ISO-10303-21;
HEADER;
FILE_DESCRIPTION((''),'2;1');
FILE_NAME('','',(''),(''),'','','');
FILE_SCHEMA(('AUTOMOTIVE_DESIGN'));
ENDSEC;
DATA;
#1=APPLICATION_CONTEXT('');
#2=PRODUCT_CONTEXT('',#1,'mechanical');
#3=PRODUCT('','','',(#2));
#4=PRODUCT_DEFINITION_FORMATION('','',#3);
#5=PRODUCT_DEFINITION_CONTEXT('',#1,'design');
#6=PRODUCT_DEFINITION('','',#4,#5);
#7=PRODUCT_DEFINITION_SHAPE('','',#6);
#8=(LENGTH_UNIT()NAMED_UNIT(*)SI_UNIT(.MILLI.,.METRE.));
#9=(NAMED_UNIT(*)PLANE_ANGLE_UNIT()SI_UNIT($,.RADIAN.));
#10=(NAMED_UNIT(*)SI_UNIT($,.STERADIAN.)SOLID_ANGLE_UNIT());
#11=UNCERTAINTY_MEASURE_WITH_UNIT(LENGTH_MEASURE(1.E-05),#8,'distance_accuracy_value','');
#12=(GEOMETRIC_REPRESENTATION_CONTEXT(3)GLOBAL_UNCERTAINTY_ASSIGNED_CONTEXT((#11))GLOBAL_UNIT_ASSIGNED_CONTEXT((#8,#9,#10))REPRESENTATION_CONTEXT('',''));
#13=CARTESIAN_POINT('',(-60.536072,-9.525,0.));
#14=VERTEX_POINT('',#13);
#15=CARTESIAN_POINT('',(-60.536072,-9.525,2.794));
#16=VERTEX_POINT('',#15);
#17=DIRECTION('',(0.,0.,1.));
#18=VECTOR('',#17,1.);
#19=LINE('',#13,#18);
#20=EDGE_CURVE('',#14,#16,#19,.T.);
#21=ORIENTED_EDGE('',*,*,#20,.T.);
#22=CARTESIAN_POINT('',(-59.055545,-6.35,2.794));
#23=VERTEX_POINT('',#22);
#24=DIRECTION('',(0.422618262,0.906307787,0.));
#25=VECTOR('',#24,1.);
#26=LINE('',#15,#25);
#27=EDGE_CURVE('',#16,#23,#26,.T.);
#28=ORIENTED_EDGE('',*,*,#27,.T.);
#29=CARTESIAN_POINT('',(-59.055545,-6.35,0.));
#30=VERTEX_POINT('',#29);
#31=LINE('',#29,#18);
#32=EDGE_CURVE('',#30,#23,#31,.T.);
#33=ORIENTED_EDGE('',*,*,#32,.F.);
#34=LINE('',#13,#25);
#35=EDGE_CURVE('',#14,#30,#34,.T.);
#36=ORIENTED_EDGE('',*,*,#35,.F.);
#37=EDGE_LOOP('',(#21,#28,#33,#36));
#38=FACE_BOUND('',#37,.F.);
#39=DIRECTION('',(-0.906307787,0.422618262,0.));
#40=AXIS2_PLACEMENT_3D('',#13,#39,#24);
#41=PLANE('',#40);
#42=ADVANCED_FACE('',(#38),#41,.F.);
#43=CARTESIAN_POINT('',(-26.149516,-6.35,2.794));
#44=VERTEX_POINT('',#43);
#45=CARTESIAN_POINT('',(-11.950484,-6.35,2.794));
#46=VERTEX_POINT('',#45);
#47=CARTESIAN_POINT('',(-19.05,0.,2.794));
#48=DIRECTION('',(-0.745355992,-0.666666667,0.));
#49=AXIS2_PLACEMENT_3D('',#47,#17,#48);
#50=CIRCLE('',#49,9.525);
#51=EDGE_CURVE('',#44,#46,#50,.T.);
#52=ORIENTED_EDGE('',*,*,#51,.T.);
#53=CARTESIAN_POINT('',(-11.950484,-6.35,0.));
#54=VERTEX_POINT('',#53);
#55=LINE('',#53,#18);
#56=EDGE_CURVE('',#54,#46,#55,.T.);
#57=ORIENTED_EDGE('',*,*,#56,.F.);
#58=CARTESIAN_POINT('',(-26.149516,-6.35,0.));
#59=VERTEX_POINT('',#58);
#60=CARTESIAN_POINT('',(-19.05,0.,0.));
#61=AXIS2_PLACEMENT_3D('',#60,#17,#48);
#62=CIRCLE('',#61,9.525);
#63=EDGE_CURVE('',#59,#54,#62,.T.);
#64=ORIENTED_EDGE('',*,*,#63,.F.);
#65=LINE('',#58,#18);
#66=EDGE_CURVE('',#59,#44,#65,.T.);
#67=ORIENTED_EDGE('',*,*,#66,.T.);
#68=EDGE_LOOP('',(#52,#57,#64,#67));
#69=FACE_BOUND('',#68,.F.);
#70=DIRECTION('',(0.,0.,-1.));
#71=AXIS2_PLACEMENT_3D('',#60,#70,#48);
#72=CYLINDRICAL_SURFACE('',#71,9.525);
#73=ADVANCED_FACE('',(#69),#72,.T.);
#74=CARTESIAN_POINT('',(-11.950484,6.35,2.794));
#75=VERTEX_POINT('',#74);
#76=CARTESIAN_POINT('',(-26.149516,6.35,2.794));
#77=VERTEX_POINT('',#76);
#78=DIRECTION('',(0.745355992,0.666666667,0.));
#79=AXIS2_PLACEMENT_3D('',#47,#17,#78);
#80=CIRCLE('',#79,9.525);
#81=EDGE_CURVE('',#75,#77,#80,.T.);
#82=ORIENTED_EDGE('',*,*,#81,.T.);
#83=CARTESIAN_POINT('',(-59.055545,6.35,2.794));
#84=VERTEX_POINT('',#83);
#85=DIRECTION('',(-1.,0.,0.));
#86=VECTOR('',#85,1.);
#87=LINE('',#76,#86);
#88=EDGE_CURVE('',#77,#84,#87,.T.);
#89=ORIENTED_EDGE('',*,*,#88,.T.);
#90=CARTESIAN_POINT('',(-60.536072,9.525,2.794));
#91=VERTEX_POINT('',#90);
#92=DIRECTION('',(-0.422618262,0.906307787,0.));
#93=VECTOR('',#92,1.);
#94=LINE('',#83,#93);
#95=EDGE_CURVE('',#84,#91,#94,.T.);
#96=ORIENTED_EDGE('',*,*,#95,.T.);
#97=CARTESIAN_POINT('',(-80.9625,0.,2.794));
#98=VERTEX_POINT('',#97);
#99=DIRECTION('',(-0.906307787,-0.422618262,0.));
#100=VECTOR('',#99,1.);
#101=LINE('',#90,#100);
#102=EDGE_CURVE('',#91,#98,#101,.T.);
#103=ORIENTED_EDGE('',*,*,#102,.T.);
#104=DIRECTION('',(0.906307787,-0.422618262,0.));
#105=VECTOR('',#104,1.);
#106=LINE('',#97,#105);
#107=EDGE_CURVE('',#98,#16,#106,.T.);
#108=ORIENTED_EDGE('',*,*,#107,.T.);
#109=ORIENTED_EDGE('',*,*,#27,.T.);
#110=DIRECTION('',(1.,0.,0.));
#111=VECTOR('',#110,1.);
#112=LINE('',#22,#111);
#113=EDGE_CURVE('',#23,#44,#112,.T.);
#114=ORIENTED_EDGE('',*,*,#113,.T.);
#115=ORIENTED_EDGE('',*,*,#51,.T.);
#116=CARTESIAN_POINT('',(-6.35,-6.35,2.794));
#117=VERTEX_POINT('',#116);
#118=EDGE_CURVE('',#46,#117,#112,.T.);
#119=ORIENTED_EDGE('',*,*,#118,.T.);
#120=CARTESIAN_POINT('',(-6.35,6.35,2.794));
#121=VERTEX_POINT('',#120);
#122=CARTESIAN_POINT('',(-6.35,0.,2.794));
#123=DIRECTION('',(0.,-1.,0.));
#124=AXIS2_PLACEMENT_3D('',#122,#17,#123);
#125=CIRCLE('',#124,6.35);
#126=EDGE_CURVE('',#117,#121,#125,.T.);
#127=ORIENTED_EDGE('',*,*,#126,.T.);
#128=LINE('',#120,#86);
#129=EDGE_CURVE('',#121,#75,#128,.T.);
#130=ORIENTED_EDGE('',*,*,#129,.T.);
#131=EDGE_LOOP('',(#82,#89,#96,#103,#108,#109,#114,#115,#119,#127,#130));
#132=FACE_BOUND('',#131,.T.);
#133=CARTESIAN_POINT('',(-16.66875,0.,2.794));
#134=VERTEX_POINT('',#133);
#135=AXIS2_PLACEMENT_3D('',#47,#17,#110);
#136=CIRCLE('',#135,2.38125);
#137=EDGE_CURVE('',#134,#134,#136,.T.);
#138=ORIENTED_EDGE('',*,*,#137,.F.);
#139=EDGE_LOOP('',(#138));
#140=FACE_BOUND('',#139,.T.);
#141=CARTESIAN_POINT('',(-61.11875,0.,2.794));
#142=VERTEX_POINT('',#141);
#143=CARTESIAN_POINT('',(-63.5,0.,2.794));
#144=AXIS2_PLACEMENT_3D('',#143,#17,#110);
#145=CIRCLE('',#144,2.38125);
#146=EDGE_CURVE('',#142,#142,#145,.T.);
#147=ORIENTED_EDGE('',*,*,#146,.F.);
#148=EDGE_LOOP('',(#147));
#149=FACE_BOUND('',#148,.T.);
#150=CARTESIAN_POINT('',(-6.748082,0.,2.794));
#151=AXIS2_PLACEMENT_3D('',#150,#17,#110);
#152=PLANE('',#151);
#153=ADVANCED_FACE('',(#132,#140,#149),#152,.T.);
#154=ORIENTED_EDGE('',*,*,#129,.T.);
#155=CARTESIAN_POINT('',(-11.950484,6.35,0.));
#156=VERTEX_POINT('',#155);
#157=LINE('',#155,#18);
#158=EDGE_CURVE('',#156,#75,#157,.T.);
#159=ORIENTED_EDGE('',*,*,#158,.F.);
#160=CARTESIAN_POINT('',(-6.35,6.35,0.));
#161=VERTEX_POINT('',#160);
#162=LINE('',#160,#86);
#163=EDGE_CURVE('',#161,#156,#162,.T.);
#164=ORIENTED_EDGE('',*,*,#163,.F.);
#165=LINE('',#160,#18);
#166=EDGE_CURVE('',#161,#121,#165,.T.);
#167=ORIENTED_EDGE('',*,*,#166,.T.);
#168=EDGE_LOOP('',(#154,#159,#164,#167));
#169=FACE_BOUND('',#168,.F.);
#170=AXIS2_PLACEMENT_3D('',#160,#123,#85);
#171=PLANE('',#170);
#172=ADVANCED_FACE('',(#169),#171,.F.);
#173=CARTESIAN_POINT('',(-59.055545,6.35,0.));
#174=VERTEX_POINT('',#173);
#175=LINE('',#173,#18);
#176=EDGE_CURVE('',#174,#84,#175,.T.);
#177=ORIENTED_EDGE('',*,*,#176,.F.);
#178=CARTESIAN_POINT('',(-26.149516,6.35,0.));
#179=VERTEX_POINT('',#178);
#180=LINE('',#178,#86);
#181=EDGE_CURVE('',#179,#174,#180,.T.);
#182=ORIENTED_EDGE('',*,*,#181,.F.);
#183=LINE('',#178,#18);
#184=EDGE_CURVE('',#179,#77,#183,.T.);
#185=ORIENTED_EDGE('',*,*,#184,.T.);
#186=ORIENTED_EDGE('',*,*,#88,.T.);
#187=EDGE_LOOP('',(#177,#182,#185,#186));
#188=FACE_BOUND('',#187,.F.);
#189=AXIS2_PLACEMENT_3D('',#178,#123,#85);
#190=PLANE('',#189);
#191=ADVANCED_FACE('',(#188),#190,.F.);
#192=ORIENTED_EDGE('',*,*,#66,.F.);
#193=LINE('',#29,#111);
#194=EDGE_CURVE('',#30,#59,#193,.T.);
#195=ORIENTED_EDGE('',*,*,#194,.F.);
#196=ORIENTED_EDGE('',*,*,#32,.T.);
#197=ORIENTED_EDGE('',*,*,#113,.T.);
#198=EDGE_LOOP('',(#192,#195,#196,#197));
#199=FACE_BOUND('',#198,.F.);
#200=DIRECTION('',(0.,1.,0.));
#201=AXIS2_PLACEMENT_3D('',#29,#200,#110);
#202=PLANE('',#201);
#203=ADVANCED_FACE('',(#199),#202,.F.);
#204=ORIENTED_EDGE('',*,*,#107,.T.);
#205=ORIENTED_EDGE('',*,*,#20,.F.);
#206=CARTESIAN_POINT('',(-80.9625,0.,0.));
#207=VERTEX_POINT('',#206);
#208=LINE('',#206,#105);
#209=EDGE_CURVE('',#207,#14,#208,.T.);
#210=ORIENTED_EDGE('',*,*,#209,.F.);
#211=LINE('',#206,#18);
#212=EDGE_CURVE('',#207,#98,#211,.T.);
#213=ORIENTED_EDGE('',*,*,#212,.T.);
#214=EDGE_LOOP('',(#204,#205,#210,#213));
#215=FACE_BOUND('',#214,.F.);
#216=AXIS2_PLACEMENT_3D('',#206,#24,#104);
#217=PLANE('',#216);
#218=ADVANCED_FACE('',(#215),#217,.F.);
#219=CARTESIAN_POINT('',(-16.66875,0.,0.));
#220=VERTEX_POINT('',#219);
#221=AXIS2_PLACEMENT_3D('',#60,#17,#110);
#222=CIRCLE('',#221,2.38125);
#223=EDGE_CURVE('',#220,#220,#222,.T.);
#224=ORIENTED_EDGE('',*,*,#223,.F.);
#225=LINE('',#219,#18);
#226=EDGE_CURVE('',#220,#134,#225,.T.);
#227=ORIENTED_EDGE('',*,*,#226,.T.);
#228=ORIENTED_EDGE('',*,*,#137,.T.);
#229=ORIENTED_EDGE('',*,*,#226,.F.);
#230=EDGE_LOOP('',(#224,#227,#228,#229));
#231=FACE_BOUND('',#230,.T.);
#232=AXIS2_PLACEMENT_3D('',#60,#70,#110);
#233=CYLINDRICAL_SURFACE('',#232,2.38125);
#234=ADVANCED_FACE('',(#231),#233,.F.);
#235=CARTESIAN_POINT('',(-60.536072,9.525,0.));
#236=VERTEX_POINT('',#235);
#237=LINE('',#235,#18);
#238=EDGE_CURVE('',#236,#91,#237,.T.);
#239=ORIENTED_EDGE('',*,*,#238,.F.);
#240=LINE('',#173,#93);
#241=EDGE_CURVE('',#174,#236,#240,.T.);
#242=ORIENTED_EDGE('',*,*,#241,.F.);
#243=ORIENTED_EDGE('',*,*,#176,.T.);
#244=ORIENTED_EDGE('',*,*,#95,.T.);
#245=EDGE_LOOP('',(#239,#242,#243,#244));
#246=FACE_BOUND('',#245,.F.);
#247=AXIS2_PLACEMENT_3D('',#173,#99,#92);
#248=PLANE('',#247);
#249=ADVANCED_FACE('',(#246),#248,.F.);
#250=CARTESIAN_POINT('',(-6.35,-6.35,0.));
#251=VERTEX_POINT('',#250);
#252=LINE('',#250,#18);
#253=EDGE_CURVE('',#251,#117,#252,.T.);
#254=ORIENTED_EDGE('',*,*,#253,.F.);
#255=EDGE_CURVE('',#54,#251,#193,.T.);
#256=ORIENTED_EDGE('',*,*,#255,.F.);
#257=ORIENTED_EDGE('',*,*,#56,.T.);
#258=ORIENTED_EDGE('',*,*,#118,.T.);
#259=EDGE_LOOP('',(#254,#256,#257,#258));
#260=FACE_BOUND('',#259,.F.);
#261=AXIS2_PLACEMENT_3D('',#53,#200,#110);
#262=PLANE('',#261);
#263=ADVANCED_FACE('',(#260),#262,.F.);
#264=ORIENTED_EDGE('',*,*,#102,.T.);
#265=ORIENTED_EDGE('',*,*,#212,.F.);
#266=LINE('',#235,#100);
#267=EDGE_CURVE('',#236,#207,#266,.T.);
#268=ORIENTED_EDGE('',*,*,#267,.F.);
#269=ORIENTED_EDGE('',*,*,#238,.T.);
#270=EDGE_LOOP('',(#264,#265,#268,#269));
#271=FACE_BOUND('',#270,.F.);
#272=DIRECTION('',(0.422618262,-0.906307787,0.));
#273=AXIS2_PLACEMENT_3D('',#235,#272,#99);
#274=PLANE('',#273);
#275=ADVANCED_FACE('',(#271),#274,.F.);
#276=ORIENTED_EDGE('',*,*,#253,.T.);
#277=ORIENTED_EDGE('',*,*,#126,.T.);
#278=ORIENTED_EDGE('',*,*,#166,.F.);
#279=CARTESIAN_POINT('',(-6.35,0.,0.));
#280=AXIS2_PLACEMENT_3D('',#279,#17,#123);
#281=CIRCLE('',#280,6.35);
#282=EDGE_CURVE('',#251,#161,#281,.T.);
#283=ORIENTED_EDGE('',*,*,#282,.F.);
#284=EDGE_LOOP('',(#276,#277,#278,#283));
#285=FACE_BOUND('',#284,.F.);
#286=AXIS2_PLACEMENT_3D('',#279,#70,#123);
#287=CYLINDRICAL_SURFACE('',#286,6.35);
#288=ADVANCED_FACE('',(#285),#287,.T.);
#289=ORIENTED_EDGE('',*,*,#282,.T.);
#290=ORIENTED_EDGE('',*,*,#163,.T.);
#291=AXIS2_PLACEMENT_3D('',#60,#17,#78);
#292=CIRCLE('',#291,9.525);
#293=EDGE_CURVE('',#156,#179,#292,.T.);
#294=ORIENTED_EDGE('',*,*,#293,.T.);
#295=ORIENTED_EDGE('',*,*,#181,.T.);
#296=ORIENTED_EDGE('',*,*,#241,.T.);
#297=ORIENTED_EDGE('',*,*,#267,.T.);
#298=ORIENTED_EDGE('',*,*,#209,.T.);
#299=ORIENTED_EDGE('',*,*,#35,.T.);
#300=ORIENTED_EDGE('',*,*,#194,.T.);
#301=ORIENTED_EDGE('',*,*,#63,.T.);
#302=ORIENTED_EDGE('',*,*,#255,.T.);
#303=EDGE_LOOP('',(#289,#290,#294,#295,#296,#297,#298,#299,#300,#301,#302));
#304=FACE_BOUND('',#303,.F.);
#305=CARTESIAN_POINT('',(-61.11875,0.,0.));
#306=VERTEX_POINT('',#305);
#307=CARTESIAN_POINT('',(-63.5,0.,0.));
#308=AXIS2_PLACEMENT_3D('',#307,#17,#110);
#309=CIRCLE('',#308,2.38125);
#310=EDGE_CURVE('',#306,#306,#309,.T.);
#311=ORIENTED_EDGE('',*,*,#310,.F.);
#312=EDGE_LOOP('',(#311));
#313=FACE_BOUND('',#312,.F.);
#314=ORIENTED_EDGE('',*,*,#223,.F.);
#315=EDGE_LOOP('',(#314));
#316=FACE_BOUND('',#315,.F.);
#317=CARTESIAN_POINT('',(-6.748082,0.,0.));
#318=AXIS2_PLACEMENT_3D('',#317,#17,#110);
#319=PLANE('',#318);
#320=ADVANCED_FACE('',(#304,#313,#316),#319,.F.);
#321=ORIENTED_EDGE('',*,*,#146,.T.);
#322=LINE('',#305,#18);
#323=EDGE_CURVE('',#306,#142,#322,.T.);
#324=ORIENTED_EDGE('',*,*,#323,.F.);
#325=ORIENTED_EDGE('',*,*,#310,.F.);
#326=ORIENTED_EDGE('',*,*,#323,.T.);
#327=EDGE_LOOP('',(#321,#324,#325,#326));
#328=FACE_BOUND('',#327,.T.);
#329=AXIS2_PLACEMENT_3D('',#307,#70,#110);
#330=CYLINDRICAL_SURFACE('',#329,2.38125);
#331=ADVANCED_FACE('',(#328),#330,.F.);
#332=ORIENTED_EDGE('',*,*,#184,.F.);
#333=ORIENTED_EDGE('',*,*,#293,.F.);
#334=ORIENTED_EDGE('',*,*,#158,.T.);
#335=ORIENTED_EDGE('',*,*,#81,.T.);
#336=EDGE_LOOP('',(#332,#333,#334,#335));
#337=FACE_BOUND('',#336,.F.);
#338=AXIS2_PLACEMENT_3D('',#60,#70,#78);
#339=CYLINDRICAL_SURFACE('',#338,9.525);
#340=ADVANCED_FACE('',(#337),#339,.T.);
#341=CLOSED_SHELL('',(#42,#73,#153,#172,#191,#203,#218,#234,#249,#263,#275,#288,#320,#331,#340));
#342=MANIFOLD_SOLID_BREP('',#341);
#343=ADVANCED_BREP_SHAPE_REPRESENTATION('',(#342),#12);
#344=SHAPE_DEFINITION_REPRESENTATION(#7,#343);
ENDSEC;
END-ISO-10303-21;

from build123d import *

# Parameters (mm, degrees)
F0_R     = 2.38125
F1_DEPTH = 2.794


with BuildPart() as f1:
    # F0 (on Top) → F1 (new body)
    with BuildSketch(Plane.XY):
        with BuildLine():
            ThreePointArc((-6.35, -6.35), (0, 0), (-6.35, 6.35))
            Line((-6.35, 6.35), (-11.9504841714, 6.35))
            ThreePointArc((-11.9504841714, 6.35), (-10.1520082809, 3.3987304051), (-9.525, 0))
            ThreePointArc((-9.525, 0), (-10.1520082809, -3.3987304051), (-11.9504841714, -6.35))
            Line((-11.9504841714, -6.35), (-6.35, -6.35))
        make_face()
        with BuildLine():
            ThreePointArc((-9.525, 0), (-10.1520082809, 3.3987304051), (-11.9504841714, 6.35))
            Line((-11.9504841714, 6.35), (-26.1495158286, 6.35))
            ThreePointArc((-26.1495158286, 6.35), (-28.575, 0), (-26.1495158286, -6.35))
            Line((-26.1495158286, -6.35), (-11.9504841714, -6.35))
            ThreePointArc((-11.9504841714, -6.35), (-10.1520082809, -3.3987304051), (-9.525, 0))
        make_face()
        with Locations((-19.05, 0)):
            Circle(F0_R, mode=Mode.SUBTRACT)
        with BuildLine():
            Line((-26.1495158286, 6.35), (-11.9504841714, 6.35))
            ThreePointArc((-11.9504841714, 6.35), (-19.05, 9.525), (-26.1495158286, 6.35))
        make_face()
        with BuildLine():
            ThreePointArc((-26.1495158286, -6.35), (-28.575, 0), (-26.1495158286, 6.35))
            Line((-26.1495158286, 6.35), (-59.0555447675, 6.35))
            Line((-59.0555447675, 6.35), (-59.0555447675, -6.35))
            Line((-59.0555447675, -6.35), (-26.1495158286, -6.35))
        make_face()
        with BuildLine():
            ThreePointArc((-26.1495158286, -6.35), (-19.05, -9.525), (-11.9504841714, -6.35))
            Line((-11.9504841714, -6.35), (-26.1495158286, -6.35))
        make_face()
        Polygon((-59.0555447675, -6.35), (-59.0555447675, 6.35), (-60.5360715821, 9.525), (-80.9625, 0), (-60.5360715821, -9.525), align=None)
        with Locations((-63.5, 0)):
            Circle(F0_R, mode=Mode.SUBTRACT)
    extrude(amount=F1_DEPTH)


solid = f1.part
